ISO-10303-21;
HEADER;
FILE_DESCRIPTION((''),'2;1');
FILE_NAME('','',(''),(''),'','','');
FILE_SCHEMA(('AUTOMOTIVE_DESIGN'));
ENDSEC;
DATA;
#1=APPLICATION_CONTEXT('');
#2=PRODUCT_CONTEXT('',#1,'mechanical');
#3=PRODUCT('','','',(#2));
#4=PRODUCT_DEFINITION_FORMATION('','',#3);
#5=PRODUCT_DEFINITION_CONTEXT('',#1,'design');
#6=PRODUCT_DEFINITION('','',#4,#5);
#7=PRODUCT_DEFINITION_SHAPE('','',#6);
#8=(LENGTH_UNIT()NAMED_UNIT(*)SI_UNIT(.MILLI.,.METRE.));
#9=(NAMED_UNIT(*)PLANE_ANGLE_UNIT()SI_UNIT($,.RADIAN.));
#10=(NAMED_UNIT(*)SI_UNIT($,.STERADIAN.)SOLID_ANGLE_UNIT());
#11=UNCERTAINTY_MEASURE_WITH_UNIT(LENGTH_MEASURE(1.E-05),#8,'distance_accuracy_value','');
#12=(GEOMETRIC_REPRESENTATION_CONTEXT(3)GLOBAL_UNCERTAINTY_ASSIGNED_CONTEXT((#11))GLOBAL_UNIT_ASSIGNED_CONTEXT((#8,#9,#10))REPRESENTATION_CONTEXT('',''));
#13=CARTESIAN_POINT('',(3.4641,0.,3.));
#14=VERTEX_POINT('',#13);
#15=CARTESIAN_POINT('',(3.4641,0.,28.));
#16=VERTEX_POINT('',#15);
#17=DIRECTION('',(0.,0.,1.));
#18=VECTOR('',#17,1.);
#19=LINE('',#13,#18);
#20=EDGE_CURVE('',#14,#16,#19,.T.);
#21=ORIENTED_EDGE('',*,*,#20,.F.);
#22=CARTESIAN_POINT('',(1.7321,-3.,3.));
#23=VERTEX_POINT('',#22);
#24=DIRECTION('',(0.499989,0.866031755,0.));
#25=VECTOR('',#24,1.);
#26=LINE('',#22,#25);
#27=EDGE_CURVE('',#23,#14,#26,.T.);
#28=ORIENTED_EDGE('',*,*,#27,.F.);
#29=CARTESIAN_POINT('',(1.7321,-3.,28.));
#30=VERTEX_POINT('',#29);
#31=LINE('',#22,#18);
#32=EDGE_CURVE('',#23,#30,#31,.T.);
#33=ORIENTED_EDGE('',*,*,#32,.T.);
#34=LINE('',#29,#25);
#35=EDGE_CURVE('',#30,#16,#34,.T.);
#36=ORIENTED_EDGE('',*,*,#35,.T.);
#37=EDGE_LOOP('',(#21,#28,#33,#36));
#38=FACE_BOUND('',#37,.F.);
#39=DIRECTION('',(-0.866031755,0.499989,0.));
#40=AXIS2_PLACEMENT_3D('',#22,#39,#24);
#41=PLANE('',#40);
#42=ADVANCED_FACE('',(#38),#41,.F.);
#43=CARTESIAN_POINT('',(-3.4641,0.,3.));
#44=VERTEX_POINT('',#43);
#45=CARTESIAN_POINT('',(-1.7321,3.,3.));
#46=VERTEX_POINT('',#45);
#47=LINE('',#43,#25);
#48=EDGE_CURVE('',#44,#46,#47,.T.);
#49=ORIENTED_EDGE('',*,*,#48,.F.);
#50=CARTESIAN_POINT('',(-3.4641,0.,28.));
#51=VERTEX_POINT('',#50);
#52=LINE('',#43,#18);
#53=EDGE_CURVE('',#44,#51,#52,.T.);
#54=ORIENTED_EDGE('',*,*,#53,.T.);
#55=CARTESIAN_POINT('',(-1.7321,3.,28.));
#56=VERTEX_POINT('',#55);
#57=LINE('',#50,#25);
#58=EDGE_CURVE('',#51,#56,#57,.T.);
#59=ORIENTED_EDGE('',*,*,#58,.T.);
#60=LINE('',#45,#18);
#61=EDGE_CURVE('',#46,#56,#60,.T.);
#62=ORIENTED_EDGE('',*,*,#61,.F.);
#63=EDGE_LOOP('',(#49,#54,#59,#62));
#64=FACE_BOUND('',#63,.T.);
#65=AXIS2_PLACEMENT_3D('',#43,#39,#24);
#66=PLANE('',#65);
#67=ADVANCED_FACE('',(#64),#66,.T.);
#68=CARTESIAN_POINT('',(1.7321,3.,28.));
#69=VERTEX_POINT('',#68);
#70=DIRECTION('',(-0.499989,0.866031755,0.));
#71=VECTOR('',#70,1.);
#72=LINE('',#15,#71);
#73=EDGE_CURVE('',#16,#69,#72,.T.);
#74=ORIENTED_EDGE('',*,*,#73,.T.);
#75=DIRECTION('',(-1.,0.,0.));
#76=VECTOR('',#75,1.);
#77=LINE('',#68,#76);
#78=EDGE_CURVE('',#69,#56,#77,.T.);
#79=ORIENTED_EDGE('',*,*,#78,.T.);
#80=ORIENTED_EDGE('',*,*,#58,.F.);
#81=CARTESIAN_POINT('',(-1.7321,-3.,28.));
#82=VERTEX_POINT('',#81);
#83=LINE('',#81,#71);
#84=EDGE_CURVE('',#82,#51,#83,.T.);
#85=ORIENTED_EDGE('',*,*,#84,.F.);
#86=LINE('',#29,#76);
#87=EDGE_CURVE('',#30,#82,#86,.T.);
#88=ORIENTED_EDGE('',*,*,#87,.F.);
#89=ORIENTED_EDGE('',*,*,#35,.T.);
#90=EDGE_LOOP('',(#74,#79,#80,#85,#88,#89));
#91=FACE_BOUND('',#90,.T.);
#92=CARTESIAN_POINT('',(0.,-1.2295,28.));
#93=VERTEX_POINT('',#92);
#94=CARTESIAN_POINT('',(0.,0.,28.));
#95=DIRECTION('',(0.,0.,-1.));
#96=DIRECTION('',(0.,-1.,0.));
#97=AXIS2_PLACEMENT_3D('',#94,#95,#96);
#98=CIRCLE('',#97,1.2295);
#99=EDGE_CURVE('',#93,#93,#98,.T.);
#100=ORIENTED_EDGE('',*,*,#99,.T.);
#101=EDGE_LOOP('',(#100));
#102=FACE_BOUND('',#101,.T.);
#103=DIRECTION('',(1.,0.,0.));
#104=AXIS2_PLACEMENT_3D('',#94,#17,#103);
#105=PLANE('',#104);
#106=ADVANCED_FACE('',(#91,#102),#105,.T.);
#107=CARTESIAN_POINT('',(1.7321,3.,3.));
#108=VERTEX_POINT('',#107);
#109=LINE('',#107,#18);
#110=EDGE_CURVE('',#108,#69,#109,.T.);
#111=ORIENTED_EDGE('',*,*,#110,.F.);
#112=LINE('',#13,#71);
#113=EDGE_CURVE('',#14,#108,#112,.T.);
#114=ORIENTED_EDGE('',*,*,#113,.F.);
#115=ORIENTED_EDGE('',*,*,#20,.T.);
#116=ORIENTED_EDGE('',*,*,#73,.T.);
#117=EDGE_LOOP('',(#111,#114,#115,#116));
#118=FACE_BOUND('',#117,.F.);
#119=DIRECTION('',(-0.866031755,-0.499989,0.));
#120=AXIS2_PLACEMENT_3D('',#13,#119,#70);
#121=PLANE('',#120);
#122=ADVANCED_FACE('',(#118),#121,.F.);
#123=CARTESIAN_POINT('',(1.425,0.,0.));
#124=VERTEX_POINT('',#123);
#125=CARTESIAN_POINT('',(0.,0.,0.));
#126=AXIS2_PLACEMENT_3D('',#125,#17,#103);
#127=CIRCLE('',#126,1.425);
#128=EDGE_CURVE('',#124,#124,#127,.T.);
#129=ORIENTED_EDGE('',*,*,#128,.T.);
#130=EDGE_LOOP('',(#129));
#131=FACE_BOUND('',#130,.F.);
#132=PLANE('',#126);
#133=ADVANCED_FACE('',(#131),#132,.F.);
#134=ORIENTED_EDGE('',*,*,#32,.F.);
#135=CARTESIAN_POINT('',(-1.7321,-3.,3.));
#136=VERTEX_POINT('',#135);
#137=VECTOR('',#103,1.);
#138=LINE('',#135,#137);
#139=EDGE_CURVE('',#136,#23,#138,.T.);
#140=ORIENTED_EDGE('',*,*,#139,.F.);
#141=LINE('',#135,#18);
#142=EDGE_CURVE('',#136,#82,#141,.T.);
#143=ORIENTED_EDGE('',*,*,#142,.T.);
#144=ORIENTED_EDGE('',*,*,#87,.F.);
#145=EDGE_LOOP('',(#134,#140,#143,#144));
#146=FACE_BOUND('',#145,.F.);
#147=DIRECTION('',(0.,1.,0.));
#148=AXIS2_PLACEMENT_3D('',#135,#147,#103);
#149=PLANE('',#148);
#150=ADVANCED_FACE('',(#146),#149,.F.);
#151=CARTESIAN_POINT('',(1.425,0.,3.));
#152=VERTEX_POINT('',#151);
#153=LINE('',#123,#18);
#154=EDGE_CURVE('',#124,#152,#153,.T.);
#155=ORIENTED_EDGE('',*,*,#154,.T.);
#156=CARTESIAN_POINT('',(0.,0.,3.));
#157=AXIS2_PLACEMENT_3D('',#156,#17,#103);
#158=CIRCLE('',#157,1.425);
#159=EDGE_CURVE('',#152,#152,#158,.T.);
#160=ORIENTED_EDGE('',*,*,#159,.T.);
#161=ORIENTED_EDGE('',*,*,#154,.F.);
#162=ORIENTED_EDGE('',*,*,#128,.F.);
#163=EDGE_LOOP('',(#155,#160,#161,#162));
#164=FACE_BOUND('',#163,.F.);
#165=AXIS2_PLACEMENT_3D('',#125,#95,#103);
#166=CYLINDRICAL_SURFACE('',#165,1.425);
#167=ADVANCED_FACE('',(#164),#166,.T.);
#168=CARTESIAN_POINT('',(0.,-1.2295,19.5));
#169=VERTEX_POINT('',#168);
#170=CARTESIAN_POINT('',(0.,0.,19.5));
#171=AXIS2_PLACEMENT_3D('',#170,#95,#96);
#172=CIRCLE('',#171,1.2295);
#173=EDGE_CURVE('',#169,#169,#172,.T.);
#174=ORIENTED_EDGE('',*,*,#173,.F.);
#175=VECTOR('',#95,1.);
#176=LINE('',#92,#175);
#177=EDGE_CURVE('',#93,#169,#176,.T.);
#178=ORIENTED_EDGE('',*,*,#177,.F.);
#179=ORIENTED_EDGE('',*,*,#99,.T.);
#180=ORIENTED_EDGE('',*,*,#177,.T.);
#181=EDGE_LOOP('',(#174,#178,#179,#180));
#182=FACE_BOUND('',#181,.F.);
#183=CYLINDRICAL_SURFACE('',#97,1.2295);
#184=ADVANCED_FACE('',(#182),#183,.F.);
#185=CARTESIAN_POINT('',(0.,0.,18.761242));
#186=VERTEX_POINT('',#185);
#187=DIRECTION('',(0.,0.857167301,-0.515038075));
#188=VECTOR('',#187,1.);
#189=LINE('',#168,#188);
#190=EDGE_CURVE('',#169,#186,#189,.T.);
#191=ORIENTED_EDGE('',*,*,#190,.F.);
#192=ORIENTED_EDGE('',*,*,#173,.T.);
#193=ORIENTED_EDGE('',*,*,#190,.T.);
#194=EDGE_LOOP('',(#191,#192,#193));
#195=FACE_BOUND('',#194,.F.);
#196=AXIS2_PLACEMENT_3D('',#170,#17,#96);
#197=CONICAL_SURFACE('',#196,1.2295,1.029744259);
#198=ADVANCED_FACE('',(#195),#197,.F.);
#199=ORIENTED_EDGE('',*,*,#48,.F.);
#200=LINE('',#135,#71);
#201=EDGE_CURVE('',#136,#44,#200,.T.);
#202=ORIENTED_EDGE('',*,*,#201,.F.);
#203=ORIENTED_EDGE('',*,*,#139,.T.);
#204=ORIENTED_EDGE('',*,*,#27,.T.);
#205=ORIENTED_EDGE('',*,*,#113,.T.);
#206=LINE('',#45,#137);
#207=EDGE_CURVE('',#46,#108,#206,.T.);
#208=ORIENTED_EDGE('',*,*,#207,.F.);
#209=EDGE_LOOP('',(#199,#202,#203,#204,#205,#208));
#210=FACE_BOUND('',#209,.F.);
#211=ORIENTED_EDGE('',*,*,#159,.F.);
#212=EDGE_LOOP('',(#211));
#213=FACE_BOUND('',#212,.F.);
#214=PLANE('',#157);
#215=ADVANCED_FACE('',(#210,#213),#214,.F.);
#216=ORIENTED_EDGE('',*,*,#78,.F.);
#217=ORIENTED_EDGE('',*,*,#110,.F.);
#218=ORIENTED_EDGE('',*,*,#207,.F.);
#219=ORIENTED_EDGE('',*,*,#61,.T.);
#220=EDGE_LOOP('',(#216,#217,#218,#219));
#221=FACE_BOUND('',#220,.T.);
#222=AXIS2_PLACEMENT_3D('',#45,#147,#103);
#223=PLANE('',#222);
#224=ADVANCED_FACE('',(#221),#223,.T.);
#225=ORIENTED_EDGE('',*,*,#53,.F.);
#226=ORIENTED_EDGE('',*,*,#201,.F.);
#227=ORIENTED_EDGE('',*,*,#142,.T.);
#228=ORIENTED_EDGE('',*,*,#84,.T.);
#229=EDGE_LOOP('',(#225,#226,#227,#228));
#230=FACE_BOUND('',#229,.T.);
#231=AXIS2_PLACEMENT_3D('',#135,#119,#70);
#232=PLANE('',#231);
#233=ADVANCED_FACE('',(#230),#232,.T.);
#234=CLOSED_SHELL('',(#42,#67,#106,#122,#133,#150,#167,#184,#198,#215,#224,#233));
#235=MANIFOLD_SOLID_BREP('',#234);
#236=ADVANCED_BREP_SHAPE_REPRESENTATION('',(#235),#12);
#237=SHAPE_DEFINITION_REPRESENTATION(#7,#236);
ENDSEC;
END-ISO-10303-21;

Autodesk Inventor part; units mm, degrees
ref_plane "Plan YZ" through (0, 0, 0) normal (1, 0, 0) x (0, 1, 0)
ref_plane "Plan XZ" through (0, 0, 0) normal (0, 1, 0) x (-1, 0, 0)
ref_plane "Plan XY" through (0, 0, 0) normal (0, 0, 1) x (1, 0, 0)
sketch "Esquisse1" plane through (0, 0, 0) normal (0, 0, 1) x (1, 0, 0)
  circle A0 centre (0, 0) radius 1.425
  dimension "d0" = 2.85
extrude "Extrusion1" add sketch "Esquisse1" along normal blind 3
sketch "Esquisse6" plane through (0, 0, 3) normal (0, 0, 1) x (1, 0, 0)
  line L0 (-4.8497, 0) -> (4.8497, 0) construction
  line L1 (0, -4.2) -> (0, 4.2) construction
  line L2 (-1.7321, -3) -> (-3.4641, 0)
  line L3 (-3.4641, 0) -> (-1.7321, 3)
  line L4 (-1.7321, 3) -> (0, 3)
  line L5 (-1.7321, -3) -> (0, -3)
  line L6 (1.7321, -3) -> (3.4641, 0)
  line L7 (3.4641, 0) -> (1.7321, 3)
  line L8 (1.7321, 3) -> (0, 3)
  line L9 (1.7321, -3) -> (0, -3)
  point P0 (0, 0)
  dimension "d4" = 6
  dimension "d8" = 120
  dimension "d10" = 6
extrude "Extrusion2" add sketch "Esquisse6" along normal blind 25
sketch "Esquisse7" plane through (0, 0, 28) normal (0, 0, 1) x (1, 0, 0)
  circle A0 centre (0, 0) radius 1.425 projected
hole "Perçage1" at (0, 0, 28) direction (0, 0, -1) diameter 2.459 depth 8.5 tip angle 118 thread size "M3x0.5" class "6H" standard "ISO M"
thread "Filetage1" size "M3x0.5" class "6g" standard "ISO M" full length
properties part number "entretoise25" material "."
